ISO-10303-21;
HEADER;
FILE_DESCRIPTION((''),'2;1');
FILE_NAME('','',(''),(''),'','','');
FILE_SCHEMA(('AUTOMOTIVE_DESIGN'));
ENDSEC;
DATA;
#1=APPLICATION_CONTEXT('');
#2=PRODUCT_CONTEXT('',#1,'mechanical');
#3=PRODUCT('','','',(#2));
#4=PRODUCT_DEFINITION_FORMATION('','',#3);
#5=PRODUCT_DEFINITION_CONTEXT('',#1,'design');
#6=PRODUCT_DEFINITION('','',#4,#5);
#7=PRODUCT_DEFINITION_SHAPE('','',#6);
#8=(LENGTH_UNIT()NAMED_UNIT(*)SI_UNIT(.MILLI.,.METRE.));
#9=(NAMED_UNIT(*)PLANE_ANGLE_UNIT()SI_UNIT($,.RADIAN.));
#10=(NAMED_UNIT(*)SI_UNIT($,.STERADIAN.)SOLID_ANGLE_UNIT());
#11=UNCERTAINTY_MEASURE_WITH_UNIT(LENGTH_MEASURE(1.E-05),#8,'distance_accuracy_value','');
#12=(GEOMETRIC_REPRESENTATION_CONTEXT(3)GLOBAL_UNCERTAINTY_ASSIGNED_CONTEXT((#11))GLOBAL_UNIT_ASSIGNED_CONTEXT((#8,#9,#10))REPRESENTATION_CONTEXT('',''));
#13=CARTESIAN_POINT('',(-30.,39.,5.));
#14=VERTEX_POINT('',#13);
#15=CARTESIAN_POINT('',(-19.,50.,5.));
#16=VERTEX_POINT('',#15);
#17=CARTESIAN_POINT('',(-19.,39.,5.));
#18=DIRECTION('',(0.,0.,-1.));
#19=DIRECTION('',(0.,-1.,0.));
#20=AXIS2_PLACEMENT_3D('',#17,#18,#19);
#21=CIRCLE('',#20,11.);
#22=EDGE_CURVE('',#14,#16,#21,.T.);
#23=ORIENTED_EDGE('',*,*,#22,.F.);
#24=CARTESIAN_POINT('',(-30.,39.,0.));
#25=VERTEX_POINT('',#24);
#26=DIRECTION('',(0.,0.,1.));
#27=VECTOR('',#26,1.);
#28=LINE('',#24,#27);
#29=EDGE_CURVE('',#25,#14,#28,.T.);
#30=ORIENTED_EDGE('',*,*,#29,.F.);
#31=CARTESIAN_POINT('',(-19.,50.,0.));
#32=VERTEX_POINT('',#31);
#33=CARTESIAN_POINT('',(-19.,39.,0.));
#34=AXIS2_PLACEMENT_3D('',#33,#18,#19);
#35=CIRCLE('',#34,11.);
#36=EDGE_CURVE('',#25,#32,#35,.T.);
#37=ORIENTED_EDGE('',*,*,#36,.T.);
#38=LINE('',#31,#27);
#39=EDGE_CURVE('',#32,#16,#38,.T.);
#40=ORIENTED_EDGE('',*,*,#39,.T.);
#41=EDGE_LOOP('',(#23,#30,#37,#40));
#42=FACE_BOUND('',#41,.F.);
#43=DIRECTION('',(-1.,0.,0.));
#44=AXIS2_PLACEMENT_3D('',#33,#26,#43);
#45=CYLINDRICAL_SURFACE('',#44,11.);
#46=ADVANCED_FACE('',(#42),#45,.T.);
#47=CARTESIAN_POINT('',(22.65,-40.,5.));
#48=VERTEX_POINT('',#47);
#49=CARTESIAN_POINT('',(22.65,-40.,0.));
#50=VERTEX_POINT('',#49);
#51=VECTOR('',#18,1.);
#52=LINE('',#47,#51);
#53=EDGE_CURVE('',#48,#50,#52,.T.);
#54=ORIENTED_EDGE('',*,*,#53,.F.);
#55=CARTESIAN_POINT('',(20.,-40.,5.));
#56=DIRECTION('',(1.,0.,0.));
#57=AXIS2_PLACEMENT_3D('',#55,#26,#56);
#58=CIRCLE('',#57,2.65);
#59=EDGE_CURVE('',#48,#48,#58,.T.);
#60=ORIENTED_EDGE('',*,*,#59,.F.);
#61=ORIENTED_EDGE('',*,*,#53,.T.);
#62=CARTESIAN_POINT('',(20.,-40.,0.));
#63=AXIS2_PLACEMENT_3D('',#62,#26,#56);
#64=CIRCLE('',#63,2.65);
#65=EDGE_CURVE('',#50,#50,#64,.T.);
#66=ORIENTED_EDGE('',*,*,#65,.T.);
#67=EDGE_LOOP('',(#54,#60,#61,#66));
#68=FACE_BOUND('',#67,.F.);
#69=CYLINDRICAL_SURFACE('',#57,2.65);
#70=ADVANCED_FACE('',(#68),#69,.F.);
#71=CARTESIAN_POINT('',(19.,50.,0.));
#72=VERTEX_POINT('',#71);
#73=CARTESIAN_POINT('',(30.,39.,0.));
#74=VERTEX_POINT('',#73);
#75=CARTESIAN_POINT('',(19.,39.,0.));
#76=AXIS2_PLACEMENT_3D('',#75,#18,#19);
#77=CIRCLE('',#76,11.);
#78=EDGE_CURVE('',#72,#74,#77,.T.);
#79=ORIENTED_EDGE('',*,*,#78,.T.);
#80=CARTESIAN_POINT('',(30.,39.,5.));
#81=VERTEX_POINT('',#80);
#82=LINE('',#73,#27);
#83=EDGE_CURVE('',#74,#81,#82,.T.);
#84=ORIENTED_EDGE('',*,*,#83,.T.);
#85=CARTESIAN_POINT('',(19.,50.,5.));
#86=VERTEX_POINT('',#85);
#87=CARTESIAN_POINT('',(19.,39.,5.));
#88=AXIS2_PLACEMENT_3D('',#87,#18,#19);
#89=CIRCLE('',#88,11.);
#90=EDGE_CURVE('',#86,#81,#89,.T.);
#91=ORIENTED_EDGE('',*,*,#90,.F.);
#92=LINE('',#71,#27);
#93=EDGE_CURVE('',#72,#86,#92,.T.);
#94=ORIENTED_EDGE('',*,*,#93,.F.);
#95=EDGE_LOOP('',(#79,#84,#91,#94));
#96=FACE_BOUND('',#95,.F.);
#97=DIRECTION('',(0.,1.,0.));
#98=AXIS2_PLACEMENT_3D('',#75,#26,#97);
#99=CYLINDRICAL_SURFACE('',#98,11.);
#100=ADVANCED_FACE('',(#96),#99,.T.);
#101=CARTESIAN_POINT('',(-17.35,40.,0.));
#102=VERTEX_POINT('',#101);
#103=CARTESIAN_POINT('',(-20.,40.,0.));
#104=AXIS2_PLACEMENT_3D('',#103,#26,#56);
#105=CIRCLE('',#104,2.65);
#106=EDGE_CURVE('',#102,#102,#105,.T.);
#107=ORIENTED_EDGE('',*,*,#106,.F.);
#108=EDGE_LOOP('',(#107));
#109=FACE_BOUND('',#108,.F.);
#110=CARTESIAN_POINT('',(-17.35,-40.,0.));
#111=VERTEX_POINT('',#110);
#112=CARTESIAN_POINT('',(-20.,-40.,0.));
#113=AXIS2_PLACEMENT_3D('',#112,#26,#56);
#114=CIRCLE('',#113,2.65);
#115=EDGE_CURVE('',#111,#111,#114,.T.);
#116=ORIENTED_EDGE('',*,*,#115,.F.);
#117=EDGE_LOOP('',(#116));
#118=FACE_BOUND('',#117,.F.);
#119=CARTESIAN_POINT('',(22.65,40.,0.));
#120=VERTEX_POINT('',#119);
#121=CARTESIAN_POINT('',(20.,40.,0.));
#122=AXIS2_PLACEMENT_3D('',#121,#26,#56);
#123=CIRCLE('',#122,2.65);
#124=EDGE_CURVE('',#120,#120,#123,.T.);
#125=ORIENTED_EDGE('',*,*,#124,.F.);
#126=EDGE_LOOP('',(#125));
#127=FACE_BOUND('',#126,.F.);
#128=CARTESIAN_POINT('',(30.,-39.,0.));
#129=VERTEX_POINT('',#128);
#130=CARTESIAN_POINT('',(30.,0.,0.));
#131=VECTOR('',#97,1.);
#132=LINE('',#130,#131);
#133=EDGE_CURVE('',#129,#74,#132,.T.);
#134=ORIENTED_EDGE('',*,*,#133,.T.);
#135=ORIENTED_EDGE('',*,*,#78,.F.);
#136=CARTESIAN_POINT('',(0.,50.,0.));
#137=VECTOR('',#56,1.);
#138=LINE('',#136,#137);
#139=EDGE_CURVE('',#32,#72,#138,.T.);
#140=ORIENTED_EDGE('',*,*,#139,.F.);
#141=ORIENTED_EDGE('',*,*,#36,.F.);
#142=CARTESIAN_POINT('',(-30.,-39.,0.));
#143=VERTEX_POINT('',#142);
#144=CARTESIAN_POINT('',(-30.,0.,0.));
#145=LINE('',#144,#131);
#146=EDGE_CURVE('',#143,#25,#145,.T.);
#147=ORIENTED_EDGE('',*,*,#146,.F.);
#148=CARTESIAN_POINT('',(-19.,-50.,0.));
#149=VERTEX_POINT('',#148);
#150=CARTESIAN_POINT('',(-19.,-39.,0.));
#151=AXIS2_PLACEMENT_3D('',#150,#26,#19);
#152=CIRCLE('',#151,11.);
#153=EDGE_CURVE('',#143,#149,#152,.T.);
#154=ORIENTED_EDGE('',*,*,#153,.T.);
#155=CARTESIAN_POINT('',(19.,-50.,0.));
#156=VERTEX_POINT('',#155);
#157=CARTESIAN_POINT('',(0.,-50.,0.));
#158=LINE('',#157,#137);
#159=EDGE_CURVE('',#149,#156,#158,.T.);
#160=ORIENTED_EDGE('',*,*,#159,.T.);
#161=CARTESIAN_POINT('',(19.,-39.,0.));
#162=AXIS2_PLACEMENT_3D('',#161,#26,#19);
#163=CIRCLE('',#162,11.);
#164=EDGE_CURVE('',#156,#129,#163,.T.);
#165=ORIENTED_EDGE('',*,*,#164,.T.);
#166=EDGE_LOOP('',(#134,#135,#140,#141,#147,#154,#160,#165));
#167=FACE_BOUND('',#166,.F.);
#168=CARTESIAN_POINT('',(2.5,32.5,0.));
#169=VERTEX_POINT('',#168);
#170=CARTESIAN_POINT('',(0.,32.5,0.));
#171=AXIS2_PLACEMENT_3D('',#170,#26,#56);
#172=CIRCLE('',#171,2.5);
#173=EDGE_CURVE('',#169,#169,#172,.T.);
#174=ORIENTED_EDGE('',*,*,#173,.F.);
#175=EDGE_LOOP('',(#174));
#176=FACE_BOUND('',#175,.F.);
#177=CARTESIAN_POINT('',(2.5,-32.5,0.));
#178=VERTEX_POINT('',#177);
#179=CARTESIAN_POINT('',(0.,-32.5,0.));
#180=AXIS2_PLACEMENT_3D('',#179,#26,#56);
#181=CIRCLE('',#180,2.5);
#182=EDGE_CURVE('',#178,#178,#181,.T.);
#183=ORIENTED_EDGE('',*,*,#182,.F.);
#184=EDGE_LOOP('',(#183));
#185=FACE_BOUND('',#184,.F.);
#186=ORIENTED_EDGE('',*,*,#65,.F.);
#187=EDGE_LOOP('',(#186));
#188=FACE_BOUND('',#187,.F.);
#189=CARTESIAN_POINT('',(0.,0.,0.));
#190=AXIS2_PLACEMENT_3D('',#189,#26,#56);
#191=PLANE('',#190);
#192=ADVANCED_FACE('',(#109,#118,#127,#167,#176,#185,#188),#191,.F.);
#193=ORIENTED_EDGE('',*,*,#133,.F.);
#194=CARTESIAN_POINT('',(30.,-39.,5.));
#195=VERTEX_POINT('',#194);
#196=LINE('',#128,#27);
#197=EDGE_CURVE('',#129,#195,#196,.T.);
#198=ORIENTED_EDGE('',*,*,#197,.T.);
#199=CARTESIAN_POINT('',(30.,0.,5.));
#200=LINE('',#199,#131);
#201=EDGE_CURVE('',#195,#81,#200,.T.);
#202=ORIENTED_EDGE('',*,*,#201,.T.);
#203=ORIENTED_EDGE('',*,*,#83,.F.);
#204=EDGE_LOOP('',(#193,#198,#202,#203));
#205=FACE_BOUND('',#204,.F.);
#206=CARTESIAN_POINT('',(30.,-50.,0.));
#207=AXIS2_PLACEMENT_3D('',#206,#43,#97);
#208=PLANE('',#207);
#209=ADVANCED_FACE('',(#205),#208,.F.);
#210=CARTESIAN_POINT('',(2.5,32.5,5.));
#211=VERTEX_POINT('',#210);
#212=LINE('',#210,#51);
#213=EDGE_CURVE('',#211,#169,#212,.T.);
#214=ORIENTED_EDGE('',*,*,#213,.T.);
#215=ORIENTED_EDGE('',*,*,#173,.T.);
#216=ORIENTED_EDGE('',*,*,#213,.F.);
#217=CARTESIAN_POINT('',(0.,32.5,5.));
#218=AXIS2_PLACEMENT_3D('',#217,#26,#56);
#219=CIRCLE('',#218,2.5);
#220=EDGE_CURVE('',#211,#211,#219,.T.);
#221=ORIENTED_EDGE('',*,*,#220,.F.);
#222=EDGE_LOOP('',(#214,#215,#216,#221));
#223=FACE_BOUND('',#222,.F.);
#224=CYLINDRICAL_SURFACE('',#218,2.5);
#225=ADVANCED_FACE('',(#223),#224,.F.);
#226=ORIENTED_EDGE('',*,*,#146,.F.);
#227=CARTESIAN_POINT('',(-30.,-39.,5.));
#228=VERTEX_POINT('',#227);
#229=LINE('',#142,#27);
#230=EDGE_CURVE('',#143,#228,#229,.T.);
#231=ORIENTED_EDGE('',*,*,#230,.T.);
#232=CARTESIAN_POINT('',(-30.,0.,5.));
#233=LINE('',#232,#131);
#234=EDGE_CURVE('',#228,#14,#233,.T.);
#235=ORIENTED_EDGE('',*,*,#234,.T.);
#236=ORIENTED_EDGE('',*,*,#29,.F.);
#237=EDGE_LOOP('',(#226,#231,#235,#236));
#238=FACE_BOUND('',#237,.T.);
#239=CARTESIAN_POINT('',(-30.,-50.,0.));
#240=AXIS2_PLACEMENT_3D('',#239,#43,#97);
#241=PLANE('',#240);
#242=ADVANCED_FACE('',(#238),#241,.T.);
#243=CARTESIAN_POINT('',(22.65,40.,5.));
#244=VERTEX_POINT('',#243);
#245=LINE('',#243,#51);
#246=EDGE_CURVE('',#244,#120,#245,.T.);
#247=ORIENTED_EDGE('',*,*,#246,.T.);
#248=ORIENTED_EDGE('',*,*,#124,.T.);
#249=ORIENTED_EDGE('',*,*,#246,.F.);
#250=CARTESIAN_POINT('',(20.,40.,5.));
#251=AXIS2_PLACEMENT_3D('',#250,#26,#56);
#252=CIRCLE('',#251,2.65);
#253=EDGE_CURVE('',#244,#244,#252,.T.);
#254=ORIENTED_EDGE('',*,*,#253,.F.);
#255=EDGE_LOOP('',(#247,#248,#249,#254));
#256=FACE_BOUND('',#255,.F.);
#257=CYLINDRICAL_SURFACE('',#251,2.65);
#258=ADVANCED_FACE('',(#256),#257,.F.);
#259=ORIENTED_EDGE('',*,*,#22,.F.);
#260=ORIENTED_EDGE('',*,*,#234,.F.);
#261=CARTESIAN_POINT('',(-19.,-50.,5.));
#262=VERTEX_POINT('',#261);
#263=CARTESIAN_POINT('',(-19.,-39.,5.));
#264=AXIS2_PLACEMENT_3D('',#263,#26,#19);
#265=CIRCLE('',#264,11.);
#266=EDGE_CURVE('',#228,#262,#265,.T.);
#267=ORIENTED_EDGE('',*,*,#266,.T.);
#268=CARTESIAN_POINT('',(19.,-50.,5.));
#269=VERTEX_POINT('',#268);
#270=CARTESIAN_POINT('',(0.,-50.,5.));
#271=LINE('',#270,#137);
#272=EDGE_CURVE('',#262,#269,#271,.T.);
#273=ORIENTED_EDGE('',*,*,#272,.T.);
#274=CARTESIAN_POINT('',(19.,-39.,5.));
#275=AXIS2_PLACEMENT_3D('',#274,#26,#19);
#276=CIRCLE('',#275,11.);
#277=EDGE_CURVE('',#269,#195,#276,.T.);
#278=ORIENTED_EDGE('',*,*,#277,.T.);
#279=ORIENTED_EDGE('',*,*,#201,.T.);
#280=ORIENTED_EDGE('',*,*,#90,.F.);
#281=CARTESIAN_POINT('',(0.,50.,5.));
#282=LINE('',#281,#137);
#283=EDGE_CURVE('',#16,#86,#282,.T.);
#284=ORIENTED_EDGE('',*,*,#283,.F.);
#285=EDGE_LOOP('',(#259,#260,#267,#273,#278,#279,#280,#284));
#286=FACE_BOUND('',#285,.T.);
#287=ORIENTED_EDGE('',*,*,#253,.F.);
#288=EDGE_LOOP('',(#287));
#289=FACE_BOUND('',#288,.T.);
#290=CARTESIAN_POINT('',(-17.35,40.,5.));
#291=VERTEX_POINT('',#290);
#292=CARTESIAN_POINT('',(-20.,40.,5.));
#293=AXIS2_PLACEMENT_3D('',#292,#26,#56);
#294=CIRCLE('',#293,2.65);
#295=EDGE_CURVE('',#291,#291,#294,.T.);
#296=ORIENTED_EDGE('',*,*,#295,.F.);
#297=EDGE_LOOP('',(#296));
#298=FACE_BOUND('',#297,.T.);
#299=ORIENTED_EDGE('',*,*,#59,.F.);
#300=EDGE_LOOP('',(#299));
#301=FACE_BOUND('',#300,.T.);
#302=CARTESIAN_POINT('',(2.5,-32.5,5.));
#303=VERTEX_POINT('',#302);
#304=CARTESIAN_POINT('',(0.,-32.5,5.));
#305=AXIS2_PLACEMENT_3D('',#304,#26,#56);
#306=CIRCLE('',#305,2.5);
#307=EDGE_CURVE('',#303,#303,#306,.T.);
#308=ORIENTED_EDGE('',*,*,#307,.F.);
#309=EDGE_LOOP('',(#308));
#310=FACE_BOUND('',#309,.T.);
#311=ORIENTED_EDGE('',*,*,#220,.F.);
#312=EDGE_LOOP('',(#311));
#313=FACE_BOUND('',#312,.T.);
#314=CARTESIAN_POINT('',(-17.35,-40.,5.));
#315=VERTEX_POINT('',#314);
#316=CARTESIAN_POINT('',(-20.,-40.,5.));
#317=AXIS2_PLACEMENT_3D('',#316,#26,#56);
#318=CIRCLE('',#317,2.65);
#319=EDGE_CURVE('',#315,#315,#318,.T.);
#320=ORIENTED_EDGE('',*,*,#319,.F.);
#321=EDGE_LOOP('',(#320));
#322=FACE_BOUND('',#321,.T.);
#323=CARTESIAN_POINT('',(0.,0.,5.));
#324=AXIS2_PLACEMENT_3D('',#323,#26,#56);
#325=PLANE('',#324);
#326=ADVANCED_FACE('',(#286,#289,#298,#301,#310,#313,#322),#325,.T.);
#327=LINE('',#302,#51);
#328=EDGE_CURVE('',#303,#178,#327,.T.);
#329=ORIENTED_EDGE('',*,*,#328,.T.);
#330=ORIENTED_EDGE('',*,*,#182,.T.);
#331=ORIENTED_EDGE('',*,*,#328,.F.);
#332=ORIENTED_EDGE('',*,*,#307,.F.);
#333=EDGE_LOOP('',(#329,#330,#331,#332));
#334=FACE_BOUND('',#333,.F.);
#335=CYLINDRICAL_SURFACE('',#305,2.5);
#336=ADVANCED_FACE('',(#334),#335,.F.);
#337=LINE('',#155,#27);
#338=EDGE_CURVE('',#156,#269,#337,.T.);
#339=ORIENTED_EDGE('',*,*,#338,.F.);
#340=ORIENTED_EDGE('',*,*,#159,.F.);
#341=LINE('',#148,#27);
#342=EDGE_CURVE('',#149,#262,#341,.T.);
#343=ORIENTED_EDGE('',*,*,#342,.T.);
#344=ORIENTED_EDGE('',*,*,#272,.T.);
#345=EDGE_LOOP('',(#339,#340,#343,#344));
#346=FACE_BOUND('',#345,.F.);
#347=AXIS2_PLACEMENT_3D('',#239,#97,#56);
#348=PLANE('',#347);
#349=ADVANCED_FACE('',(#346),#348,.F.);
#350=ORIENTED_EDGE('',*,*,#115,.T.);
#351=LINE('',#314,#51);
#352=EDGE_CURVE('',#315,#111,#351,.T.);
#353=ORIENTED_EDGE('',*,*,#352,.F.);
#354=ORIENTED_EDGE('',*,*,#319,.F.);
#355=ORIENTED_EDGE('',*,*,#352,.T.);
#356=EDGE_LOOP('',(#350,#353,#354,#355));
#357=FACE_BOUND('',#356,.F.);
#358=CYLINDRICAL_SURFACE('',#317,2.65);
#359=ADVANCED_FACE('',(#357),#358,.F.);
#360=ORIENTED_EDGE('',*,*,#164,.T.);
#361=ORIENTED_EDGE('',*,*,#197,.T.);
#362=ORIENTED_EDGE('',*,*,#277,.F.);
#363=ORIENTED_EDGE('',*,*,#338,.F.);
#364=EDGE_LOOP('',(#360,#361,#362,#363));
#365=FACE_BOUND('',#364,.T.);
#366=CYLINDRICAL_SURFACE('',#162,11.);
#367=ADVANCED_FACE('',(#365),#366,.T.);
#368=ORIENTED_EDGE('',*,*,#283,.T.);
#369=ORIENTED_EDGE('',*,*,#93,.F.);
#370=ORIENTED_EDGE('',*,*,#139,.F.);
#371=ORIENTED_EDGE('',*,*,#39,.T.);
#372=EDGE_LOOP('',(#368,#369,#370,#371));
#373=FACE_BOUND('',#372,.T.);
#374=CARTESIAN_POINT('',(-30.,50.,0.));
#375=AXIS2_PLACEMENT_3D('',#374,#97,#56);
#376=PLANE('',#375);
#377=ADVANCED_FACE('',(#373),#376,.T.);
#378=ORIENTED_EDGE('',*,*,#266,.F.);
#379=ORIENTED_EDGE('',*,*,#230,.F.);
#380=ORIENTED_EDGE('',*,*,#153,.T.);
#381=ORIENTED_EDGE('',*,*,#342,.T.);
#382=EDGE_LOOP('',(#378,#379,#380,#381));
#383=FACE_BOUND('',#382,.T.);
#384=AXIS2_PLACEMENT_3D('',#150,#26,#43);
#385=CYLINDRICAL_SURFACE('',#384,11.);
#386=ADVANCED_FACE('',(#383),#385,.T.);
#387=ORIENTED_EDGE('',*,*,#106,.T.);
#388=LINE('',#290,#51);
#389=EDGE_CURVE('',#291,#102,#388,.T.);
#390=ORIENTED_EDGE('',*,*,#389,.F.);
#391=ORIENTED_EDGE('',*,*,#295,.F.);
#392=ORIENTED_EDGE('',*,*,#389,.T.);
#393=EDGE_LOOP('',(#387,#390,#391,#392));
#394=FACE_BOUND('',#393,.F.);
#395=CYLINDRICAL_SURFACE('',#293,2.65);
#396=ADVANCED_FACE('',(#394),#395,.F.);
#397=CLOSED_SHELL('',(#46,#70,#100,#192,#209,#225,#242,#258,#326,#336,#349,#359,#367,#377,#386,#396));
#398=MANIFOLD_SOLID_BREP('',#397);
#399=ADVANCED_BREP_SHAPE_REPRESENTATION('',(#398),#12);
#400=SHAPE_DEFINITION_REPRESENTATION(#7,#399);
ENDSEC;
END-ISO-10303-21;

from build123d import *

# Parameters (mm, degrees)
SKETCH_W        = 60
SKETCH_H        = 100
PAD_DEPTH       = 5
SKETCH001_R     = 2.65
POCKET_DEPTH    = 5
FILLET_R        = 11
SKETCH002_R     = 2.5
POCKET001_DEPTH = 5


with BuildPart() as part:
    # Sketch → Pad (new body)
    with BuildSketch(Plane.XY):
        Rectangle(SKETCH_W, SKETCH_H)
    extrude(amount=PAD_DEPTH)

    # Sketch001 (on Face6 of Pad) → Pocket (cut)
    with BuildSketch(Plane.XY.offset(5)):
        with Locations((-20, 40)):
            Circle(SKETCH001_R)
        with Locations((20, 40)):
            Circle(SKETCH001_R)
        with Locations((-20, -40)):
            Circle(SKETCH001_R)
        with Locations((20, -40)):
            Circle(SKETCH001_R)
    extrude(amount=-POCKET_DEPTH, mode=Mode.SUBTRACT)

    # Fillet
    fillet_edges = [part.edges().sort_by_distance(p)[0] for p in [
        (30, 50, 2.5),
        (30, -50, 2.5),
        (-30, 50, 2.5),
        (-30, -50, 2.5),
    ]]
    fillet(fillet_edges, radius=FILLET_R)

    # Sketch002 (on Face5 of Fillet) → Pocket001 (cut)
    with BuildSketch(Plane.XY.offset(5)):
        with Locations((0, 32.5)):
            Circle(SKETCH002_R)
        with Locations((0, -32.5)):
            Circle(SKETCH002_R)
    extrude(amount=-POCKET001_DEPTH, mode=Mode.SUBTRACT)


solid = part.part
